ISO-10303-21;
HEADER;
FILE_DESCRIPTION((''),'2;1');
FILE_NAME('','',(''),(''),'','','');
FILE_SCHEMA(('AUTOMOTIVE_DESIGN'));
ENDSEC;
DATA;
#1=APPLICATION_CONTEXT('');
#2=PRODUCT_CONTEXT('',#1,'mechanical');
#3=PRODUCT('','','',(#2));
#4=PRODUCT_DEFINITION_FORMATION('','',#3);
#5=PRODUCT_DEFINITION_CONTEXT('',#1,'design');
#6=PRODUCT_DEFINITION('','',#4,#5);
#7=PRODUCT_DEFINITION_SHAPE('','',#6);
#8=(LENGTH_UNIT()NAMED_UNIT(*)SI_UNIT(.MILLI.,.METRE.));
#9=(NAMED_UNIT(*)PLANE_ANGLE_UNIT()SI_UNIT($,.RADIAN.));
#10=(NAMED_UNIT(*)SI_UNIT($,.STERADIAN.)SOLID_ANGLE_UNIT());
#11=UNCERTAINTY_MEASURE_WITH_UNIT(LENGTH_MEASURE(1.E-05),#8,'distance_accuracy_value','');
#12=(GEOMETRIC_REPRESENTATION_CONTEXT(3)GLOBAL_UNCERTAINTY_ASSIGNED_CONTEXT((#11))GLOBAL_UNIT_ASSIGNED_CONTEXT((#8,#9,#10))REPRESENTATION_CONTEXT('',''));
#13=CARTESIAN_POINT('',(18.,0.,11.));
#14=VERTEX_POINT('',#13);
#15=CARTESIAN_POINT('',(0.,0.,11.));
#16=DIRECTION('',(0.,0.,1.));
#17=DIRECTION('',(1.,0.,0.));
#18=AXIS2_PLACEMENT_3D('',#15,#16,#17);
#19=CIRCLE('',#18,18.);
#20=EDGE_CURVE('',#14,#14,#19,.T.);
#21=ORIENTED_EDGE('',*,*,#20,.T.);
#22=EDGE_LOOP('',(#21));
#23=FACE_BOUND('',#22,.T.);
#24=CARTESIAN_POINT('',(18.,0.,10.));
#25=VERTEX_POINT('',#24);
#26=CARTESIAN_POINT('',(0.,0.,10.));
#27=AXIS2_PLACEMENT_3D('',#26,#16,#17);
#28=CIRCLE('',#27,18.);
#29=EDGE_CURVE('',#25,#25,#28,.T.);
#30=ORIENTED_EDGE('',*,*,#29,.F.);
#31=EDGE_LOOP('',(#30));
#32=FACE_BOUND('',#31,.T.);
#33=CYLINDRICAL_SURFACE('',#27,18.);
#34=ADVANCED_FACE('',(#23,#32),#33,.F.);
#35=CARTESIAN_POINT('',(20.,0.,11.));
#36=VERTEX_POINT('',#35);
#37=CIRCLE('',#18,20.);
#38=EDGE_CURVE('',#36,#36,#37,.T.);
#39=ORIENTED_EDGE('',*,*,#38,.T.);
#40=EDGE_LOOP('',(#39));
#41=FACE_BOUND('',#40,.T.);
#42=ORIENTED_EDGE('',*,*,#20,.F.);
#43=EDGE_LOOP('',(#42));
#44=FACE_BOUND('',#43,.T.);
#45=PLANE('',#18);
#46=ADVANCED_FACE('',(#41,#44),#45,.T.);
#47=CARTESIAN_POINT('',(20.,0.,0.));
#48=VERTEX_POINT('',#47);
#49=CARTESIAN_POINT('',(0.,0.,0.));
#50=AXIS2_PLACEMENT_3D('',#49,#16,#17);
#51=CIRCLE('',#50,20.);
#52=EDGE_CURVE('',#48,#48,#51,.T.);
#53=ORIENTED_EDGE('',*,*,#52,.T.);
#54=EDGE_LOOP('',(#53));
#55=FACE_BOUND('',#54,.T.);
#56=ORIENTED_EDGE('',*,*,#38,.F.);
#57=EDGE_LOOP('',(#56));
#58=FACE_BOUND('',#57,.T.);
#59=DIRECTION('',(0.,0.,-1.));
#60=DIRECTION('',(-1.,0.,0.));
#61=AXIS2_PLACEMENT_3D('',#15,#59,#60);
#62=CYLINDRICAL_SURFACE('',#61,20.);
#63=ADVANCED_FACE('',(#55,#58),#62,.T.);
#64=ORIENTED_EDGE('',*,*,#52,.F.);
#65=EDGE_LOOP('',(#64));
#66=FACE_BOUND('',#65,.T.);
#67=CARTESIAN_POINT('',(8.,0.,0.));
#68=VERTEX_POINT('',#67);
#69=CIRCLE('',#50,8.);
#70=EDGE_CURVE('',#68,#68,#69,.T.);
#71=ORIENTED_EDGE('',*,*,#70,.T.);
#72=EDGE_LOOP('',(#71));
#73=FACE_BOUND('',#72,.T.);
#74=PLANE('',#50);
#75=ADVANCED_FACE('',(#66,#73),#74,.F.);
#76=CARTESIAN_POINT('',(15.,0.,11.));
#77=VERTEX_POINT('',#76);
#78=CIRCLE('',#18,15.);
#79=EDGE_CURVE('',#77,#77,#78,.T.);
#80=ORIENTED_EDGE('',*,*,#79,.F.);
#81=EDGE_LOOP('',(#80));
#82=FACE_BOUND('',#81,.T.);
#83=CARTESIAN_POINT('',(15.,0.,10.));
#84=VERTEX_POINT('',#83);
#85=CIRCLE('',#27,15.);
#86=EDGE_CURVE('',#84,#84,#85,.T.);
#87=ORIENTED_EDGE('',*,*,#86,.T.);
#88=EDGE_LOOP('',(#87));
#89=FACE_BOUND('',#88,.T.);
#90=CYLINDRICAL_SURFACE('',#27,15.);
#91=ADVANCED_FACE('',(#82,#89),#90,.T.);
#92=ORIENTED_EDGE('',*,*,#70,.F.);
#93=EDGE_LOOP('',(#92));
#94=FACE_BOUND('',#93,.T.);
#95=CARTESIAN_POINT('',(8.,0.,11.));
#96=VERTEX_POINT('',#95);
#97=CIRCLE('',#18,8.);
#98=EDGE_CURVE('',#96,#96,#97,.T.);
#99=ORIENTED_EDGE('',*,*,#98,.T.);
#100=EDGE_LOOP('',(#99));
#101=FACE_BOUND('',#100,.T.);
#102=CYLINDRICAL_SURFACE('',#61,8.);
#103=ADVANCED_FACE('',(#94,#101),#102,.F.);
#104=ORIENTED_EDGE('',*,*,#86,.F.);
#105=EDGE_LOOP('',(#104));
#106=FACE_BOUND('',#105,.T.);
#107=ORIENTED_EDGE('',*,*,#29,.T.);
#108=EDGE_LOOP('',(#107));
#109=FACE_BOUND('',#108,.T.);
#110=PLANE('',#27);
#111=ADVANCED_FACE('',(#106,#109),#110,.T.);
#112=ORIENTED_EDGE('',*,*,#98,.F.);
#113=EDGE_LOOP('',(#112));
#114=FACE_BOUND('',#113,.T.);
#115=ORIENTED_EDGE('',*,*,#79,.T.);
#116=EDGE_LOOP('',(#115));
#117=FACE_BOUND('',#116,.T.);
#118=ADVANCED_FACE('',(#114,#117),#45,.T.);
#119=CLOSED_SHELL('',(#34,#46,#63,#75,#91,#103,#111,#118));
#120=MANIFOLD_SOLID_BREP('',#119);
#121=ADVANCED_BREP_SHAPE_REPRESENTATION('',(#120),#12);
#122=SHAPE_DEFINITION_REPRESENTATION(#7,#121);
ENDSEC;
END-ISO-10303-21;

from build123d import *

# Parameters (mm, degrees)
SKETCH_1_R          = 20
SKETCH_1_R_2        = 8
EXTRUDE_1_DEPTH     = 11
SKETCH_2_R          = 18
SKETCH_2_R_2        = 15
CUT_EXTRUDE_1_DEPTH = 1


with BuildPart() as part:
    # 草图1 → 凸台-拉伸1 (new body)
    with BuildSketch(Plane.XY):
        Circle(SKETCH_1_R)
        Circle(SKETCH_1_R_2, mode=Mode.SUBTRACT)
    extrude(amount=EXTRUDE_1_DEPTH)

    # 草图2 → 切除-拉伸1 (cut)
    with BuildSketch(Plane.XY.offset(11)):
        Circle(SKETCH_2_R)
        Circle(SKETCH_2_R_2, mode=Mode.SUBTRACT)
    extrude(amount=-CUT_EXTRUDE_1_DEPTH, mode=Mode.SUBTRACT)


solid = part.part
